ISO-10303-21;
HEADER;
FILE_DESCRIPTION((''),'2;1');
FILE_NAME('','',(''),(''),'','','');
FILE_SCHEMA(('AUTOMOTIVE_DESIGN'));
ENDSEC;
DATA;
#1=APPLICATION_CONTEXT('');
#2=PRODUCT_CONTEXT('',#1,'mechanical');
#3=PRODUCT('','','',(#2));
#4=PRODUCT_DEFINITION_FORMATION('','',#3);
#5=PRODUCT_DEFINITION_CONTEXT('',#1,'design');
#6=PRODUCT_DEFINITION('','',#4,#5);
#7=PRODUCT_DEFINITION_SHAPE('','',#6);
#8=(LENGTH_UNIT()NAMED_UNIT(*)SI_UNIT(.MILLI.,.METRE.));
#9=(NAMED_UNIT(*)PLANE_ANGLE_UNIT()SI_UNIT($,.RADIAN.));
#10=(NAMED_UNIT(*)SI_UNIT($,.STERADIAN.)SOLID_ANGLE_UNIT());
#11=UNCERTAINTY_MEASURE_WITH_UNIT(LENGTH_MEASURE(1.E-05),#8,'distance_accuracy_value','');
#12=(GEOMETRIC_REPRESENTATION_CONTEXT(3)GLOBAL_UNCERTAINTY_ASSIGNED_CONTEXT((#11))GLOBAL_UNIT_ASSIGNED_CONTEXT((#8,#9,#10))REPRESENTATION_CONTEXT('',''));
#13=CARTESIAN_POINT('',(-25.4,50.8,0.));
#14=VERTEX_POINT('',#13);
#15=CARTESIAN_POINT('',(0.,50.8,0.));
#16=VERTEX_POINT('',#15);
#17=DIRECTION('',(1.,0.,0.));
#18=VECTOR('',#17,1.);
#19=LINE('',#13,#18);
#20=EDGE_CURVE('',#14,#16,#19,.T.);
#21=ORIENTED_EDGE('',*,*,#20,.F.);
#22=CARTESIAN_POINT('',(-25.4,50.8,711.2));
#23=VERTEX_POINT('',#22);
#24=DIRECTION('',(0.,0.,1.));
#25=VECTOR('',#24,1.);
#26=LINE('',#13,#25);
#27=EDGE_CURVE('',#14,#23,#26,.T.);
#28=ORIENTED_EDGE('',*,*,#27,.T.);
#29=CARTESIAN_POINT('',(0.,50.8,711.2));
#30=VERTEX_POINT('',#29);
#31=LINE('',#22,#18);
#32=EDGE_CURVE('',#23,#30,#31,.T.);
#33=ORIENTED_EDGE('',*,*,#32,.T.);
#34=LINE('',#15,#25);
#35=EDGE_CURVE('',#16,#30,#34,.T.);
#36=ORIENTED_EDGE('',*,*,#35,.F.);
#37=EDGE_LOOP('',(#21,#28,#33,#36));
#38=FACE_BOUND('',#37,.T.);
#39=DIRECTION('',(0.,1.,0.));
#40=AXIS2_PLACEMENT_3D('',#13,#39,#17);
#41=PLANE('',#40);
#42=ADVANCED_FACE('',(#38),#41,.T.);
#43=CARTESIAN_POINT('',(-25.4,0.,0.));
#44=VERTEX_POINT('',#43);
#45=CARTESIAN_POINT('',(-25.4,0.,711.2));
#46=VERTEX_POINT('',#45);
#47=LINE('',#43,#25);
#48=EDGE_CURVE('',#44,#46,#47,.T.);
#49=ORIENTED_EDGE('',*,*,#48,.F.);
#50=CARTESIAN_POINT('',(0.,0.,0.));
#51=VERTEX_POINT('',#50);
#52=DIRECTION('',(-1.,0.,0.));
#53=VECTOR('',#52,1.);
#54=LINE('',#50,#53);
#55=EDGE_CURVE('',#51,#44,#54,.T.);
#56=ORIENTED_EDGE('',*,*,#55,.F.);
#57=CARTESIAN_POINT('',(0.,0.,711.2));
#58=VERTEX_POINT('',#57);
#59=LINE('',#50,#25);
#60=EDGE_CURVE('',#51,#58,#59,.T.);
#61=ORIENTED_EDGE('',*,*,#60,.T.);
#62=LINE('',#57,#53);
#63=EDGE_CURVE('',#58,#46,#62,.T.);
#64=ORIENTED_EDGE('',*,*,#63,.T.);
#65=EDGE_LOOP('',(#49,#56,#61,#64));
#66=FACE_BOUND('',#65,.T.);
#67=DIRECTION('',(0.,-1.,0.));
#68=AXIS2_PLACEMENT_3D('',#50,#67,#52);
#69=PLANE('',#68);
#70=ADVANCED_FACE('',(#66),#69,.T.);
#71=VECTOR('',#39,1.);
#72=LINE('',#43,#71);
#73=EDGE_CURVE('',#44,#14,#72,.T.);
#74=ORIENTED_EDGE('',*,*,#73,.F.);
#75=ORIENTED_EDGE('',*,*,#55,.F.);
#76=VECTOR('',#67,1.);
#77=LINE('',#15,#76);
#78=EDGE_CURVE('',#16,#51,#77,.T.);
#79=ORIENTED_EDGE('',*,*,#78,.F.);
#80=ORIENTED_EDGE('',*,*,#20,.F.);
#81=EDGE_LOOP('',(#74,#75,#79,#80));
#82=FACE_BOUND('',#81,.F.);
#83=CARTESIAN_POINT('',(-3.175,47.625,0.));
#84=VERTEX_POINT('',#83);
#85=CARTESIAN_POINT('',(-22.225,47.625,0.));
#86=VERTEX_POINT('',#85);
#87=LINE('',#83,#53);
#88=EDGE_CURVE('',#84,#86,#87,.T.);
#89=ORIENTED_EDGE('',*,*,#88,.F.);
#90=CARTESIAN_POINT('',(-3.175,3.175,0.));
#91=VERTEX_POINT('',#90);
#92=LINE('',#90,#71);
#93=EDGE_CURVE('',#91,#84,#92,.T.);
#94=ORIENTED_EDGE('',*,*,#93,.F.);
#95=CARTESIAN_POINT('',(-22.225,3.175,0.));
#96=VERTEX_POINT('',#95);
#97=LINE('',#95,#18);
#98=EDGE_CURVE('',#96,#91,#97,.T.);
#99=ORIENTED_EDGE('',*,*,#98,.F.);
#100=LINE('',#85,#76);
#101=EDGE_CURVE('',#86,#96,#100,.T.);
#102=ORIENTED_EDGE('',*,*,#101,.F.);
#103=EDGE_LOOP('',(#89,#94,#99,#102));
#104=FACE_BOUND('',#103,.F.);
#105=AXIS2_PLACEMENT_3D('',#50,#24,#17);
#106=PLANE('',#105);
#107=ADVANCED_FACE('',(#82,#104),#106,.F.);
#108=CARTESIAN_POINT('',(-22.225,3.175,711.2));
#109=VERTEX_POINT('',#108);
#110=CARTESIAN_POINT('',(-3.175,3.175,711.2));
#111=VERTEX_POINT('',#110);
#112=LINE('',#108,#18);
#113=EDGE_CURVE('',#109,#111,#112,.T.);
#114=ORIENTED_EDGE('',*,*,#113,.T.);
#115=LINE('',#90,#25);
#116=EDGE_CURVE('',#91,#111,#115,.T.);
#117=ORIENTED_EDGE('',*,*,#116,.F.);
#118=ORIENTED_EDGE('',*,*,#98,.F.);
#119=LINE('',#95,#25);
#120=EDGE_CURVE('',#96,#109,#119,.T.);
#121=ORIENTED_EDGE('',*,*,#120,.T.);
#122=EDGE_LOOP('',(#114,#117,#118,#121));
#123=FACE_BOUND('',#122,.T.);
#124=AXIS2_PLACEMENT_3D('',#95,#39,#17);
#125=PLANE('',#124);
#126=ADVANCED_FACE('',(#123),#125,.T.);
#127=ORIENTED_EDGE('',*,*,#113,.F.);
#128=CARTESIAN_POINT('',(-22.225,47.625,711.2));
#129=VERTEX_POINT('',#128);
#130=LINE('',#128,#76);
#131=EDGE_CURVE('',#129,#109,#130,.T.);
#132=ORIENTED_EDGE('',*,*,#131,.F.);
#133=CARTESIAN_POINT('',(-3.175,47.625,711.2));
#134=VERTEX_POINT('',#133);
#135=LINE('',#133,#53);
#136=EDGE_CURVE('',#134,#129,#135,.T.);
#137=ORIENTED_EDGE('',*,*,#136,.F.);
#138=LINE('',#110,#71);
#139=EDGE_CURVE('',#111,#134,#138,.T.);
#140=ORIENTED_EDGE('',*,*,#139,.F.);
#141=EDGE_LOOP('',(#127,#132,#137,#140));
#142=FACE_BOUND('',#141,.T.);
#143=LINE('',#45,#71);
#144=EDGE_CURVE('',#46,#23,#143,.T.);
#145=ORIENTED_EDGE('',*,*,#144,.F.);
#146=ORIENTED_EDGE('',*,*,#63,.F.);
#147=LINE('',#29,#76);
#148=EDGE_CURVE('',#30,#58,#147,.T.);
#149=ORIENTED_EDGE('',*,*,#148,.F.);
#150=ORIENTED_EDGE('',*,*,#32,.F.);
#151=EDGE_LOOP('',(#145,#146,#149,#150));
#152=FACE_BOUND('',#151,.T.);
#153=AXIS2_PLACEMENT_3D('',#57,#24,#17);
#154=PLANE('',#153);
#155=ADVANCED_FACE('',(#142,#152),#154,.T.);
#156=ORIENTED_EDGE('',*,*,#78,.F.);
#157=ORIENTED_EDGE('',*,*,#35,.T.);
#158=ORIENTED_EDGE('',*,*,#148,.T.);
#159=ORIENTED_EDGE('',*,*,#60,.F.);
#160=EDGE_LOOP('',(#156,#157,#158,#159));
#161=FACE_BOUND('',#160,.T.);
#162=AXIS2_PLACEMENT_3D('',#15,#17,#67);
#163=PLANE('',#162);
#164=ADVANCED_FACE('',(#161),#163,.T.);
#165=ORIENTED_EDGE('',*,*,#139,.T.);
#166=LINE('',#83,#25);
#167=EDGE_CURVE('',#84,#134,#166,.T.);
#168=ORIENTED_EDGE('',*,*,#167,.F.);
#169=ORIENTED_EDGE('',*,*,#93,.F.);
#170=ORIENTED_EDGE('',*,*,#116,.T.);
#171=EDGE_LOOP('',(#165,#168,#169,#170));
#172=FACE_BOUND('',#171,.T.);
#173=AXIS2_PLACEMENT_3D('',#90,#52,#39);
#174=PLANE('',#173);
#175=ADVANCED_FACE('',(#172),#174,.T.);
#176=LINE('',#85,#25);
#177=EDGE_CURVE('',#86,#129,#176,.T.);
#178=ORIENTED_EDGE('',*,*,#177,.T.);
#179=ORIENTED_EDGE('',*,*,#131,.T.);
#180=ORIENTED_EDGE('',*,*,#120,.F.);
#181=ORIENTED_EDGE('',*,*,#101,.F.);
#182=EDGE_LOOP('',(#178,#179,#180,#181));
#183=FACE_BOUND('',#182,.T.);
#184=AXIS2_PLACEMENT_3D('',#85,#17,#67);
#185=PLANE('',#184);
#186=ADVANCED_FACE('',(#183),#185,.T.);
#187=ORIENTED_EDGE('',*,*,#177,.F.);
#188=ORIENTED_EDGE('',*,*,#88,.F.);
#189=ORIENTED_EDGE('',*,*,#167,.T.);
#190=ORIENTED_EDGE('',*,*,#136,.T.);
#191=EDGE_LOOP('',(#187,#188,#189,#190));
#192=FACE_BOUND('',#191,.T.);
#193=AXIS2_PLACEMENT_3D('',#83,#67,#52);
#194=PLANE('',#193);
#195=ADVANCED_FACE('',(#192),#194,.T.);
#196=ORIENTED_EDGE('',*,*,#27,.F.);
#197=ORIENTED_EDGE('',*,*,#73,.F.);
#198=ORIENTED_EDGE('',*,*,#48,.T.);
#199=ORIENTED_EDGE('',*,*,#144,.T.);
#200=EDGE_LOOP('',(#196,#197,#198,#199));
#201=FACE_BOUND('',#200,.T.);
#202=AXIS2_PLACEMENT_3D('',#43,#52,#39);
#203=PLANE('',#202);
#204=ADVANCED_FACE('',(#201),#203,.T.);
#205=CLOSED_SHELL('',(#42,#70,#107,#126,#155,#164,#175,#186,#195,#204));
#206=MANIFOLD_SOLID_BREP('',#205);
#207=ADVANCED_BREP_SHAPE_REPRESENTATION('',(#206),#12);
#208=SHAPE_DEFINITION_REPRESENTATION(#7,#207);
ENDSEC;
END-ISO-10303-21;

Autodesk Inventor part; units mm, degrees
ref_plane "YZ Plane" through (0, 0, 0) normal (1, 0, 0) x (0, 1, 0)
ref_plane "XZ Plane" through (0, 0, 0) normal (0, 1, 0) x (-1, 0, 0)
ref_plane "XY Plane" through (0, 0, 0) normal (0, 0, 1) x (1, 0, 0)
sketch "Sketch1" plane through (0, 0, 0) normal (0, 0, 1) x (1, 0, 0)
  line L0 (0, 0) -> (-25.4, 0)
  line L1 (-25.4, 0) -> (-25.4, 50.8)
  line L2 (-25.4, 50.8) -> (0, 50.8)
  line L3 (0, 50.8) -> (0, 0)
  line L4 (-22.225, 3.175) -> (-3.175, 3.175)
  line L5 (-3.175, 3.175) -> (-3.175, 47.625)
  line L6 (-3.175, 47.625) -> (-22.225, 47.625)
  line L7 (-22.225, 47.625) -> (-22.225, 3.175)
  dimension "d0" = 25.4
  dimension "d1" = 50.8
  dimension "d2" = 3.175
extrude "Extrusion1" add sketch "Sketch1" along normal blind 711.2
properties part number "23 Alum Tube"
